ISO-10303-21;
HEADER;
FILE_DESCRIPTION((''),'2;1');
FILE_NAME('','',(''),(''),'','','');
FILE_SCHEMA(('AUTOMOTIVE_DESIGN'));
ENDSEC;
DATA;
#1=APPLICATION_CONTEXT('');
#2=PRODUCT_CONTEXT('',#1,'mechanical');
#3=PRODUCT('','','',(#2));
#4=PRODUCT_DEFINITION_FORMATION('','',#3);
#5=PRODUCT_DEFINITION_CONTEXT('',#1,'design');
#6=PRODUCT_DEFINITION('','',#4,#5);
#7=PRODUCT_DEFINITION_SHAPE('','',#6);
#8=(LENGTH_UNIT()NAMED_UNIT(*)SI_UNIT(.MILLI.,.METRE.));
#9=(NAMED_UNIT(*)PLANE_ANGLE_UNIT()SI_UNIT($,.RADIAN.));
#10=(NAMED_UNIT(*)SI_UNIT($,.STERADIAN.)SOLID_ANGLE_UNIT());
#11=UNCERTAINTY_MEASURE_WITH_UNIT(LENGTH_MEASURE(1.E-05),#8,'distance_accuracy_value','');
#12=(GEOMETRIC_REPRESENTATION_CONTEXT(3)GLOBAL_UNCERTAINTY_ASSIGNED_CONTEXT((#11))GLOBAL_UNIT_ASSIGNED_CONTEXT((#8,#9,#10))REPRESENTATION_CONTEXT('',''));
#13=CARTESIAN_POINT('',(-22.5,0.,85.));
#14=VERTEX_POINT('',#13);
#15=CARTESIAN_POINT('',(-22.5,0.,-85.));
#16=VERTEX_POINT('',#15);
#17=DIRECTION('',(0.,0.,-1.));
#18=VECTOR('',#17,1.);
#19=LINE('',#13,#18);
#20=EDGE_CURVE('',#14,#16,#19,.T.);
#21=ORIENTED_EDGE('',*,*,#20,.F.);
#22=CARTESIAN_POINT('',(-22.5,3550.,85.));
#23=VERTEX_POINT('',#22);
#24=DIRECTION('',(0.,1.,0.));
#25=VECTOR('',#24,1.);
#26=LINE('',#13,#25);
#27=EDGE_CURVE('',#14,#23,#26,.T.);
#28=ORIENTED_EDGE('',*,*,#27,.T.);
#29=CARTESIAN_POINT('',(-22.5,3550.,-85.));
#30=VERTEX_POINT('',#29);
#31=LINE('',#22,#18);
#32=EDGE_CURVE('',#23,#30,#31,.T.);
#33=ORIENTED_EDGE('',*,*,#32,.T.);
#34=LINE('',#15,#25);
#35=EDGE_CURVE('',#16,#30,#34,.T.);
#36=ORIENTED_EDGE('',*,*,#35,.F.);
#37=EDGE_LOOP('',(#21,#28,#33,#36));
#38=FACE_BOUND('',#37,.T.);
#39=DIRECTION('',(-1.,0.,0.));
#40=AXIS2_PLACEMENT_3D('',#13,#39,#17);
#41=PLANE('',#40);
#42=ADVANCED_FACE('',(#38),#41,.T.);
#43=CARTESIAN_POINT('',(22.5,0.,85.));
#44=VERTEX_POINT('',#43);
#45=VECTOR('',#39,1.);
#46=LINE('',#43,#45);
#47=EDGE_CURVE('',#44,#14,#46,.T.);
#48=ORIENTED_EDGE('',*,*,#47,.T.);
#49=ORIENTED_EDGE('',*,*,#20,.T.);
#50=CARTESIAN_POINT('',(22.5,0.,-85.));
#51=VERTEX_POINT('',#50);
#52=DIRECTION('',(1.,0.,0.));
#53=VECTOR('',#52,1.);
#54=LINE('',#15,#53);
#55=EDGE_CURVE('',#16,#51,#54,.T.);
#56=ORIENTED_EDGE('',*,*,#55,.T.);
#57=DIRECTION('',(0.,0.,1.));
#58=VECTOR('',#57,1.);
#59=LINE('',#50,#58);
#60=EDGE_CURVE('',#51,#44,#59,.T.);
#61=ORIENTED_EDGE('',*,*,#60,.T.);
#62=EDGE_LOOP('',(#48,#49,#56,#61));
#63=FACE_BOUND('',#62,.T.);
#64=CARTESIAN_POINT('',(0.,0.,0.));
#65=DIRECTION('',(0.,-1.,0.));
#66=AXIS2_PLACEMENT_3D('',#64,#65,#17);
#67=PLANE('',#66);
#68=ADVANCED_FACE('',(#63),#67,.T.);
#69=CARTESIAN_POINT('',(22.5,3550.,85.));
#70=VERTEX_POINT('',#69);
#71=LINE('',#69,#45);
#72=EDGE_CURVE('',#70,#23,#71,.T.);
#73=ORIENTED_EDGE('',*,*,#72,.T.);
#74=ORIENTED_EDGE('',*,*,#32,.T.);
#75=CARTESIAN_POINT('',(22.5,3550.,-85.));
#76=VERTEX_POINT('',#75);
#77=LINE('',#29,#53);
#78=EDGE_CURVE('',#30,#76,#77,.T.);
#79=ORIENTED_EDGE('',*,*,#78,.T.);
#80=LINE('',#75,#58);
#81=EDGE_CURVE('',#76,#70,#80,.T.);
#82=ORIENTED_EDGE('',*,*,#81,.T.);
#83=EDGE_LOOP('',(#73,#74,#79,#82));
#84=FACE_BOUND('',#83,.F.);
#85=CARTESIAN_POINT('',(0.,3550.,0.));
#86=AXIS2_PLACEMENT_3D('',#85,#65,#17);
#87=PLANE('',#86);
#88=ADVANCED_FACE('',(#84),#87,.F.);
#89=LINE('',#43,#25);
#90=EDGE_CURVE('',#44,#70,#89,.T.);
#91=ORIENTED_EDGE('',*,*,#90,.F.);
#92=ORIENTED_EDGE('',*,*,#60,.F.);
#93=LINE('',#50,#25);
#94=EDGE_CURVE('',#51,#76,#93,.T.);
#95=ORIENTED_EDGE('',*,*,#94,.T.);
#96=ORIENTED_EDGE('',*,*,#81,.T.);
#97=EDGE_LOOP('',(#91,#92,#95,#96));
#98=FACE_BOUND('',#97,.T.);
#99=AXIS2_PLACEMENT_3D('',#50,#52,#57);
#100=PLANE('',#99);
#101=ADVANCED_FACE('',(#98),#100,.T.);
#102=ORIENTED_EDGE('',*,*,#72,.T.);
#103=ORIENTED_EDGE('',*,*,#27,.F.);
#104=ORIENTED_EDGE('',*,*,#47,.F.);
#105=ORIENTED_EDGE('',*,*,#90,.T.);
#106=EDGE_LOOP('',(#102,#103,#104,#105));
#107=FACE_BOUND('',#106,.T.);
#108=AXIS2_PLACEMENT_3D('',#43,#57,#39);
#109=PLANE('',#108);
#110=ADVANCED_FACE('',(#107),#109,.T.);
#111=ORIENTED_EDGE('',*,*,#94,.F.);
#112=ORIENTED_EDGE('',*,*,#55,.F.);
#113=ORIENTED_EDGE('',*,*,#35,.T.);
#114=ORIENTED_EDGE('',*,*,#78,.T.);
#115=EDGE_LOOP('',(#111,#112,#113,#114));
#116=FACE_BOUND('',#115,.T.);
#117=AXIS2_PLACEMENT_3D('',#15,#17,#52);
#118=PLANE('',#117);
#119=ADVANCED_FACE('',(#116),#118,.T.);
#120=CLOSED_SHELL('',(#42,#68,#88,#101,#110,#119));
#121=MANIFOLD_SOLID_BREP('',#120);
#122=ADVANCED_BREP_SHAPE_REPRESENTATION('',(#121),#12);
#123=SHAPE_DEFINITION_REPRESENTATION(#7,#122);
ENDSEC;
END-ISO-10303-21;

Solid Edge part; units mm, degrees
sketch "Sketch1" plane through (0, 0, 0) normal (0, -1, 0) x (1, 0, 0)
  line L0 (-22.5, -85) -> (22.5, -85)
  line L1 (22.5, -85) -> (22.5, 85)
  line L2 (22.5, 85) -> (-22.5, 85)
  line L3 (-22.5, 85) -> (-22.5, -85)
extrude "Protrusion1" add sketch "Sketch1" against normal blind 3550
properties material "Wood, Pine"
